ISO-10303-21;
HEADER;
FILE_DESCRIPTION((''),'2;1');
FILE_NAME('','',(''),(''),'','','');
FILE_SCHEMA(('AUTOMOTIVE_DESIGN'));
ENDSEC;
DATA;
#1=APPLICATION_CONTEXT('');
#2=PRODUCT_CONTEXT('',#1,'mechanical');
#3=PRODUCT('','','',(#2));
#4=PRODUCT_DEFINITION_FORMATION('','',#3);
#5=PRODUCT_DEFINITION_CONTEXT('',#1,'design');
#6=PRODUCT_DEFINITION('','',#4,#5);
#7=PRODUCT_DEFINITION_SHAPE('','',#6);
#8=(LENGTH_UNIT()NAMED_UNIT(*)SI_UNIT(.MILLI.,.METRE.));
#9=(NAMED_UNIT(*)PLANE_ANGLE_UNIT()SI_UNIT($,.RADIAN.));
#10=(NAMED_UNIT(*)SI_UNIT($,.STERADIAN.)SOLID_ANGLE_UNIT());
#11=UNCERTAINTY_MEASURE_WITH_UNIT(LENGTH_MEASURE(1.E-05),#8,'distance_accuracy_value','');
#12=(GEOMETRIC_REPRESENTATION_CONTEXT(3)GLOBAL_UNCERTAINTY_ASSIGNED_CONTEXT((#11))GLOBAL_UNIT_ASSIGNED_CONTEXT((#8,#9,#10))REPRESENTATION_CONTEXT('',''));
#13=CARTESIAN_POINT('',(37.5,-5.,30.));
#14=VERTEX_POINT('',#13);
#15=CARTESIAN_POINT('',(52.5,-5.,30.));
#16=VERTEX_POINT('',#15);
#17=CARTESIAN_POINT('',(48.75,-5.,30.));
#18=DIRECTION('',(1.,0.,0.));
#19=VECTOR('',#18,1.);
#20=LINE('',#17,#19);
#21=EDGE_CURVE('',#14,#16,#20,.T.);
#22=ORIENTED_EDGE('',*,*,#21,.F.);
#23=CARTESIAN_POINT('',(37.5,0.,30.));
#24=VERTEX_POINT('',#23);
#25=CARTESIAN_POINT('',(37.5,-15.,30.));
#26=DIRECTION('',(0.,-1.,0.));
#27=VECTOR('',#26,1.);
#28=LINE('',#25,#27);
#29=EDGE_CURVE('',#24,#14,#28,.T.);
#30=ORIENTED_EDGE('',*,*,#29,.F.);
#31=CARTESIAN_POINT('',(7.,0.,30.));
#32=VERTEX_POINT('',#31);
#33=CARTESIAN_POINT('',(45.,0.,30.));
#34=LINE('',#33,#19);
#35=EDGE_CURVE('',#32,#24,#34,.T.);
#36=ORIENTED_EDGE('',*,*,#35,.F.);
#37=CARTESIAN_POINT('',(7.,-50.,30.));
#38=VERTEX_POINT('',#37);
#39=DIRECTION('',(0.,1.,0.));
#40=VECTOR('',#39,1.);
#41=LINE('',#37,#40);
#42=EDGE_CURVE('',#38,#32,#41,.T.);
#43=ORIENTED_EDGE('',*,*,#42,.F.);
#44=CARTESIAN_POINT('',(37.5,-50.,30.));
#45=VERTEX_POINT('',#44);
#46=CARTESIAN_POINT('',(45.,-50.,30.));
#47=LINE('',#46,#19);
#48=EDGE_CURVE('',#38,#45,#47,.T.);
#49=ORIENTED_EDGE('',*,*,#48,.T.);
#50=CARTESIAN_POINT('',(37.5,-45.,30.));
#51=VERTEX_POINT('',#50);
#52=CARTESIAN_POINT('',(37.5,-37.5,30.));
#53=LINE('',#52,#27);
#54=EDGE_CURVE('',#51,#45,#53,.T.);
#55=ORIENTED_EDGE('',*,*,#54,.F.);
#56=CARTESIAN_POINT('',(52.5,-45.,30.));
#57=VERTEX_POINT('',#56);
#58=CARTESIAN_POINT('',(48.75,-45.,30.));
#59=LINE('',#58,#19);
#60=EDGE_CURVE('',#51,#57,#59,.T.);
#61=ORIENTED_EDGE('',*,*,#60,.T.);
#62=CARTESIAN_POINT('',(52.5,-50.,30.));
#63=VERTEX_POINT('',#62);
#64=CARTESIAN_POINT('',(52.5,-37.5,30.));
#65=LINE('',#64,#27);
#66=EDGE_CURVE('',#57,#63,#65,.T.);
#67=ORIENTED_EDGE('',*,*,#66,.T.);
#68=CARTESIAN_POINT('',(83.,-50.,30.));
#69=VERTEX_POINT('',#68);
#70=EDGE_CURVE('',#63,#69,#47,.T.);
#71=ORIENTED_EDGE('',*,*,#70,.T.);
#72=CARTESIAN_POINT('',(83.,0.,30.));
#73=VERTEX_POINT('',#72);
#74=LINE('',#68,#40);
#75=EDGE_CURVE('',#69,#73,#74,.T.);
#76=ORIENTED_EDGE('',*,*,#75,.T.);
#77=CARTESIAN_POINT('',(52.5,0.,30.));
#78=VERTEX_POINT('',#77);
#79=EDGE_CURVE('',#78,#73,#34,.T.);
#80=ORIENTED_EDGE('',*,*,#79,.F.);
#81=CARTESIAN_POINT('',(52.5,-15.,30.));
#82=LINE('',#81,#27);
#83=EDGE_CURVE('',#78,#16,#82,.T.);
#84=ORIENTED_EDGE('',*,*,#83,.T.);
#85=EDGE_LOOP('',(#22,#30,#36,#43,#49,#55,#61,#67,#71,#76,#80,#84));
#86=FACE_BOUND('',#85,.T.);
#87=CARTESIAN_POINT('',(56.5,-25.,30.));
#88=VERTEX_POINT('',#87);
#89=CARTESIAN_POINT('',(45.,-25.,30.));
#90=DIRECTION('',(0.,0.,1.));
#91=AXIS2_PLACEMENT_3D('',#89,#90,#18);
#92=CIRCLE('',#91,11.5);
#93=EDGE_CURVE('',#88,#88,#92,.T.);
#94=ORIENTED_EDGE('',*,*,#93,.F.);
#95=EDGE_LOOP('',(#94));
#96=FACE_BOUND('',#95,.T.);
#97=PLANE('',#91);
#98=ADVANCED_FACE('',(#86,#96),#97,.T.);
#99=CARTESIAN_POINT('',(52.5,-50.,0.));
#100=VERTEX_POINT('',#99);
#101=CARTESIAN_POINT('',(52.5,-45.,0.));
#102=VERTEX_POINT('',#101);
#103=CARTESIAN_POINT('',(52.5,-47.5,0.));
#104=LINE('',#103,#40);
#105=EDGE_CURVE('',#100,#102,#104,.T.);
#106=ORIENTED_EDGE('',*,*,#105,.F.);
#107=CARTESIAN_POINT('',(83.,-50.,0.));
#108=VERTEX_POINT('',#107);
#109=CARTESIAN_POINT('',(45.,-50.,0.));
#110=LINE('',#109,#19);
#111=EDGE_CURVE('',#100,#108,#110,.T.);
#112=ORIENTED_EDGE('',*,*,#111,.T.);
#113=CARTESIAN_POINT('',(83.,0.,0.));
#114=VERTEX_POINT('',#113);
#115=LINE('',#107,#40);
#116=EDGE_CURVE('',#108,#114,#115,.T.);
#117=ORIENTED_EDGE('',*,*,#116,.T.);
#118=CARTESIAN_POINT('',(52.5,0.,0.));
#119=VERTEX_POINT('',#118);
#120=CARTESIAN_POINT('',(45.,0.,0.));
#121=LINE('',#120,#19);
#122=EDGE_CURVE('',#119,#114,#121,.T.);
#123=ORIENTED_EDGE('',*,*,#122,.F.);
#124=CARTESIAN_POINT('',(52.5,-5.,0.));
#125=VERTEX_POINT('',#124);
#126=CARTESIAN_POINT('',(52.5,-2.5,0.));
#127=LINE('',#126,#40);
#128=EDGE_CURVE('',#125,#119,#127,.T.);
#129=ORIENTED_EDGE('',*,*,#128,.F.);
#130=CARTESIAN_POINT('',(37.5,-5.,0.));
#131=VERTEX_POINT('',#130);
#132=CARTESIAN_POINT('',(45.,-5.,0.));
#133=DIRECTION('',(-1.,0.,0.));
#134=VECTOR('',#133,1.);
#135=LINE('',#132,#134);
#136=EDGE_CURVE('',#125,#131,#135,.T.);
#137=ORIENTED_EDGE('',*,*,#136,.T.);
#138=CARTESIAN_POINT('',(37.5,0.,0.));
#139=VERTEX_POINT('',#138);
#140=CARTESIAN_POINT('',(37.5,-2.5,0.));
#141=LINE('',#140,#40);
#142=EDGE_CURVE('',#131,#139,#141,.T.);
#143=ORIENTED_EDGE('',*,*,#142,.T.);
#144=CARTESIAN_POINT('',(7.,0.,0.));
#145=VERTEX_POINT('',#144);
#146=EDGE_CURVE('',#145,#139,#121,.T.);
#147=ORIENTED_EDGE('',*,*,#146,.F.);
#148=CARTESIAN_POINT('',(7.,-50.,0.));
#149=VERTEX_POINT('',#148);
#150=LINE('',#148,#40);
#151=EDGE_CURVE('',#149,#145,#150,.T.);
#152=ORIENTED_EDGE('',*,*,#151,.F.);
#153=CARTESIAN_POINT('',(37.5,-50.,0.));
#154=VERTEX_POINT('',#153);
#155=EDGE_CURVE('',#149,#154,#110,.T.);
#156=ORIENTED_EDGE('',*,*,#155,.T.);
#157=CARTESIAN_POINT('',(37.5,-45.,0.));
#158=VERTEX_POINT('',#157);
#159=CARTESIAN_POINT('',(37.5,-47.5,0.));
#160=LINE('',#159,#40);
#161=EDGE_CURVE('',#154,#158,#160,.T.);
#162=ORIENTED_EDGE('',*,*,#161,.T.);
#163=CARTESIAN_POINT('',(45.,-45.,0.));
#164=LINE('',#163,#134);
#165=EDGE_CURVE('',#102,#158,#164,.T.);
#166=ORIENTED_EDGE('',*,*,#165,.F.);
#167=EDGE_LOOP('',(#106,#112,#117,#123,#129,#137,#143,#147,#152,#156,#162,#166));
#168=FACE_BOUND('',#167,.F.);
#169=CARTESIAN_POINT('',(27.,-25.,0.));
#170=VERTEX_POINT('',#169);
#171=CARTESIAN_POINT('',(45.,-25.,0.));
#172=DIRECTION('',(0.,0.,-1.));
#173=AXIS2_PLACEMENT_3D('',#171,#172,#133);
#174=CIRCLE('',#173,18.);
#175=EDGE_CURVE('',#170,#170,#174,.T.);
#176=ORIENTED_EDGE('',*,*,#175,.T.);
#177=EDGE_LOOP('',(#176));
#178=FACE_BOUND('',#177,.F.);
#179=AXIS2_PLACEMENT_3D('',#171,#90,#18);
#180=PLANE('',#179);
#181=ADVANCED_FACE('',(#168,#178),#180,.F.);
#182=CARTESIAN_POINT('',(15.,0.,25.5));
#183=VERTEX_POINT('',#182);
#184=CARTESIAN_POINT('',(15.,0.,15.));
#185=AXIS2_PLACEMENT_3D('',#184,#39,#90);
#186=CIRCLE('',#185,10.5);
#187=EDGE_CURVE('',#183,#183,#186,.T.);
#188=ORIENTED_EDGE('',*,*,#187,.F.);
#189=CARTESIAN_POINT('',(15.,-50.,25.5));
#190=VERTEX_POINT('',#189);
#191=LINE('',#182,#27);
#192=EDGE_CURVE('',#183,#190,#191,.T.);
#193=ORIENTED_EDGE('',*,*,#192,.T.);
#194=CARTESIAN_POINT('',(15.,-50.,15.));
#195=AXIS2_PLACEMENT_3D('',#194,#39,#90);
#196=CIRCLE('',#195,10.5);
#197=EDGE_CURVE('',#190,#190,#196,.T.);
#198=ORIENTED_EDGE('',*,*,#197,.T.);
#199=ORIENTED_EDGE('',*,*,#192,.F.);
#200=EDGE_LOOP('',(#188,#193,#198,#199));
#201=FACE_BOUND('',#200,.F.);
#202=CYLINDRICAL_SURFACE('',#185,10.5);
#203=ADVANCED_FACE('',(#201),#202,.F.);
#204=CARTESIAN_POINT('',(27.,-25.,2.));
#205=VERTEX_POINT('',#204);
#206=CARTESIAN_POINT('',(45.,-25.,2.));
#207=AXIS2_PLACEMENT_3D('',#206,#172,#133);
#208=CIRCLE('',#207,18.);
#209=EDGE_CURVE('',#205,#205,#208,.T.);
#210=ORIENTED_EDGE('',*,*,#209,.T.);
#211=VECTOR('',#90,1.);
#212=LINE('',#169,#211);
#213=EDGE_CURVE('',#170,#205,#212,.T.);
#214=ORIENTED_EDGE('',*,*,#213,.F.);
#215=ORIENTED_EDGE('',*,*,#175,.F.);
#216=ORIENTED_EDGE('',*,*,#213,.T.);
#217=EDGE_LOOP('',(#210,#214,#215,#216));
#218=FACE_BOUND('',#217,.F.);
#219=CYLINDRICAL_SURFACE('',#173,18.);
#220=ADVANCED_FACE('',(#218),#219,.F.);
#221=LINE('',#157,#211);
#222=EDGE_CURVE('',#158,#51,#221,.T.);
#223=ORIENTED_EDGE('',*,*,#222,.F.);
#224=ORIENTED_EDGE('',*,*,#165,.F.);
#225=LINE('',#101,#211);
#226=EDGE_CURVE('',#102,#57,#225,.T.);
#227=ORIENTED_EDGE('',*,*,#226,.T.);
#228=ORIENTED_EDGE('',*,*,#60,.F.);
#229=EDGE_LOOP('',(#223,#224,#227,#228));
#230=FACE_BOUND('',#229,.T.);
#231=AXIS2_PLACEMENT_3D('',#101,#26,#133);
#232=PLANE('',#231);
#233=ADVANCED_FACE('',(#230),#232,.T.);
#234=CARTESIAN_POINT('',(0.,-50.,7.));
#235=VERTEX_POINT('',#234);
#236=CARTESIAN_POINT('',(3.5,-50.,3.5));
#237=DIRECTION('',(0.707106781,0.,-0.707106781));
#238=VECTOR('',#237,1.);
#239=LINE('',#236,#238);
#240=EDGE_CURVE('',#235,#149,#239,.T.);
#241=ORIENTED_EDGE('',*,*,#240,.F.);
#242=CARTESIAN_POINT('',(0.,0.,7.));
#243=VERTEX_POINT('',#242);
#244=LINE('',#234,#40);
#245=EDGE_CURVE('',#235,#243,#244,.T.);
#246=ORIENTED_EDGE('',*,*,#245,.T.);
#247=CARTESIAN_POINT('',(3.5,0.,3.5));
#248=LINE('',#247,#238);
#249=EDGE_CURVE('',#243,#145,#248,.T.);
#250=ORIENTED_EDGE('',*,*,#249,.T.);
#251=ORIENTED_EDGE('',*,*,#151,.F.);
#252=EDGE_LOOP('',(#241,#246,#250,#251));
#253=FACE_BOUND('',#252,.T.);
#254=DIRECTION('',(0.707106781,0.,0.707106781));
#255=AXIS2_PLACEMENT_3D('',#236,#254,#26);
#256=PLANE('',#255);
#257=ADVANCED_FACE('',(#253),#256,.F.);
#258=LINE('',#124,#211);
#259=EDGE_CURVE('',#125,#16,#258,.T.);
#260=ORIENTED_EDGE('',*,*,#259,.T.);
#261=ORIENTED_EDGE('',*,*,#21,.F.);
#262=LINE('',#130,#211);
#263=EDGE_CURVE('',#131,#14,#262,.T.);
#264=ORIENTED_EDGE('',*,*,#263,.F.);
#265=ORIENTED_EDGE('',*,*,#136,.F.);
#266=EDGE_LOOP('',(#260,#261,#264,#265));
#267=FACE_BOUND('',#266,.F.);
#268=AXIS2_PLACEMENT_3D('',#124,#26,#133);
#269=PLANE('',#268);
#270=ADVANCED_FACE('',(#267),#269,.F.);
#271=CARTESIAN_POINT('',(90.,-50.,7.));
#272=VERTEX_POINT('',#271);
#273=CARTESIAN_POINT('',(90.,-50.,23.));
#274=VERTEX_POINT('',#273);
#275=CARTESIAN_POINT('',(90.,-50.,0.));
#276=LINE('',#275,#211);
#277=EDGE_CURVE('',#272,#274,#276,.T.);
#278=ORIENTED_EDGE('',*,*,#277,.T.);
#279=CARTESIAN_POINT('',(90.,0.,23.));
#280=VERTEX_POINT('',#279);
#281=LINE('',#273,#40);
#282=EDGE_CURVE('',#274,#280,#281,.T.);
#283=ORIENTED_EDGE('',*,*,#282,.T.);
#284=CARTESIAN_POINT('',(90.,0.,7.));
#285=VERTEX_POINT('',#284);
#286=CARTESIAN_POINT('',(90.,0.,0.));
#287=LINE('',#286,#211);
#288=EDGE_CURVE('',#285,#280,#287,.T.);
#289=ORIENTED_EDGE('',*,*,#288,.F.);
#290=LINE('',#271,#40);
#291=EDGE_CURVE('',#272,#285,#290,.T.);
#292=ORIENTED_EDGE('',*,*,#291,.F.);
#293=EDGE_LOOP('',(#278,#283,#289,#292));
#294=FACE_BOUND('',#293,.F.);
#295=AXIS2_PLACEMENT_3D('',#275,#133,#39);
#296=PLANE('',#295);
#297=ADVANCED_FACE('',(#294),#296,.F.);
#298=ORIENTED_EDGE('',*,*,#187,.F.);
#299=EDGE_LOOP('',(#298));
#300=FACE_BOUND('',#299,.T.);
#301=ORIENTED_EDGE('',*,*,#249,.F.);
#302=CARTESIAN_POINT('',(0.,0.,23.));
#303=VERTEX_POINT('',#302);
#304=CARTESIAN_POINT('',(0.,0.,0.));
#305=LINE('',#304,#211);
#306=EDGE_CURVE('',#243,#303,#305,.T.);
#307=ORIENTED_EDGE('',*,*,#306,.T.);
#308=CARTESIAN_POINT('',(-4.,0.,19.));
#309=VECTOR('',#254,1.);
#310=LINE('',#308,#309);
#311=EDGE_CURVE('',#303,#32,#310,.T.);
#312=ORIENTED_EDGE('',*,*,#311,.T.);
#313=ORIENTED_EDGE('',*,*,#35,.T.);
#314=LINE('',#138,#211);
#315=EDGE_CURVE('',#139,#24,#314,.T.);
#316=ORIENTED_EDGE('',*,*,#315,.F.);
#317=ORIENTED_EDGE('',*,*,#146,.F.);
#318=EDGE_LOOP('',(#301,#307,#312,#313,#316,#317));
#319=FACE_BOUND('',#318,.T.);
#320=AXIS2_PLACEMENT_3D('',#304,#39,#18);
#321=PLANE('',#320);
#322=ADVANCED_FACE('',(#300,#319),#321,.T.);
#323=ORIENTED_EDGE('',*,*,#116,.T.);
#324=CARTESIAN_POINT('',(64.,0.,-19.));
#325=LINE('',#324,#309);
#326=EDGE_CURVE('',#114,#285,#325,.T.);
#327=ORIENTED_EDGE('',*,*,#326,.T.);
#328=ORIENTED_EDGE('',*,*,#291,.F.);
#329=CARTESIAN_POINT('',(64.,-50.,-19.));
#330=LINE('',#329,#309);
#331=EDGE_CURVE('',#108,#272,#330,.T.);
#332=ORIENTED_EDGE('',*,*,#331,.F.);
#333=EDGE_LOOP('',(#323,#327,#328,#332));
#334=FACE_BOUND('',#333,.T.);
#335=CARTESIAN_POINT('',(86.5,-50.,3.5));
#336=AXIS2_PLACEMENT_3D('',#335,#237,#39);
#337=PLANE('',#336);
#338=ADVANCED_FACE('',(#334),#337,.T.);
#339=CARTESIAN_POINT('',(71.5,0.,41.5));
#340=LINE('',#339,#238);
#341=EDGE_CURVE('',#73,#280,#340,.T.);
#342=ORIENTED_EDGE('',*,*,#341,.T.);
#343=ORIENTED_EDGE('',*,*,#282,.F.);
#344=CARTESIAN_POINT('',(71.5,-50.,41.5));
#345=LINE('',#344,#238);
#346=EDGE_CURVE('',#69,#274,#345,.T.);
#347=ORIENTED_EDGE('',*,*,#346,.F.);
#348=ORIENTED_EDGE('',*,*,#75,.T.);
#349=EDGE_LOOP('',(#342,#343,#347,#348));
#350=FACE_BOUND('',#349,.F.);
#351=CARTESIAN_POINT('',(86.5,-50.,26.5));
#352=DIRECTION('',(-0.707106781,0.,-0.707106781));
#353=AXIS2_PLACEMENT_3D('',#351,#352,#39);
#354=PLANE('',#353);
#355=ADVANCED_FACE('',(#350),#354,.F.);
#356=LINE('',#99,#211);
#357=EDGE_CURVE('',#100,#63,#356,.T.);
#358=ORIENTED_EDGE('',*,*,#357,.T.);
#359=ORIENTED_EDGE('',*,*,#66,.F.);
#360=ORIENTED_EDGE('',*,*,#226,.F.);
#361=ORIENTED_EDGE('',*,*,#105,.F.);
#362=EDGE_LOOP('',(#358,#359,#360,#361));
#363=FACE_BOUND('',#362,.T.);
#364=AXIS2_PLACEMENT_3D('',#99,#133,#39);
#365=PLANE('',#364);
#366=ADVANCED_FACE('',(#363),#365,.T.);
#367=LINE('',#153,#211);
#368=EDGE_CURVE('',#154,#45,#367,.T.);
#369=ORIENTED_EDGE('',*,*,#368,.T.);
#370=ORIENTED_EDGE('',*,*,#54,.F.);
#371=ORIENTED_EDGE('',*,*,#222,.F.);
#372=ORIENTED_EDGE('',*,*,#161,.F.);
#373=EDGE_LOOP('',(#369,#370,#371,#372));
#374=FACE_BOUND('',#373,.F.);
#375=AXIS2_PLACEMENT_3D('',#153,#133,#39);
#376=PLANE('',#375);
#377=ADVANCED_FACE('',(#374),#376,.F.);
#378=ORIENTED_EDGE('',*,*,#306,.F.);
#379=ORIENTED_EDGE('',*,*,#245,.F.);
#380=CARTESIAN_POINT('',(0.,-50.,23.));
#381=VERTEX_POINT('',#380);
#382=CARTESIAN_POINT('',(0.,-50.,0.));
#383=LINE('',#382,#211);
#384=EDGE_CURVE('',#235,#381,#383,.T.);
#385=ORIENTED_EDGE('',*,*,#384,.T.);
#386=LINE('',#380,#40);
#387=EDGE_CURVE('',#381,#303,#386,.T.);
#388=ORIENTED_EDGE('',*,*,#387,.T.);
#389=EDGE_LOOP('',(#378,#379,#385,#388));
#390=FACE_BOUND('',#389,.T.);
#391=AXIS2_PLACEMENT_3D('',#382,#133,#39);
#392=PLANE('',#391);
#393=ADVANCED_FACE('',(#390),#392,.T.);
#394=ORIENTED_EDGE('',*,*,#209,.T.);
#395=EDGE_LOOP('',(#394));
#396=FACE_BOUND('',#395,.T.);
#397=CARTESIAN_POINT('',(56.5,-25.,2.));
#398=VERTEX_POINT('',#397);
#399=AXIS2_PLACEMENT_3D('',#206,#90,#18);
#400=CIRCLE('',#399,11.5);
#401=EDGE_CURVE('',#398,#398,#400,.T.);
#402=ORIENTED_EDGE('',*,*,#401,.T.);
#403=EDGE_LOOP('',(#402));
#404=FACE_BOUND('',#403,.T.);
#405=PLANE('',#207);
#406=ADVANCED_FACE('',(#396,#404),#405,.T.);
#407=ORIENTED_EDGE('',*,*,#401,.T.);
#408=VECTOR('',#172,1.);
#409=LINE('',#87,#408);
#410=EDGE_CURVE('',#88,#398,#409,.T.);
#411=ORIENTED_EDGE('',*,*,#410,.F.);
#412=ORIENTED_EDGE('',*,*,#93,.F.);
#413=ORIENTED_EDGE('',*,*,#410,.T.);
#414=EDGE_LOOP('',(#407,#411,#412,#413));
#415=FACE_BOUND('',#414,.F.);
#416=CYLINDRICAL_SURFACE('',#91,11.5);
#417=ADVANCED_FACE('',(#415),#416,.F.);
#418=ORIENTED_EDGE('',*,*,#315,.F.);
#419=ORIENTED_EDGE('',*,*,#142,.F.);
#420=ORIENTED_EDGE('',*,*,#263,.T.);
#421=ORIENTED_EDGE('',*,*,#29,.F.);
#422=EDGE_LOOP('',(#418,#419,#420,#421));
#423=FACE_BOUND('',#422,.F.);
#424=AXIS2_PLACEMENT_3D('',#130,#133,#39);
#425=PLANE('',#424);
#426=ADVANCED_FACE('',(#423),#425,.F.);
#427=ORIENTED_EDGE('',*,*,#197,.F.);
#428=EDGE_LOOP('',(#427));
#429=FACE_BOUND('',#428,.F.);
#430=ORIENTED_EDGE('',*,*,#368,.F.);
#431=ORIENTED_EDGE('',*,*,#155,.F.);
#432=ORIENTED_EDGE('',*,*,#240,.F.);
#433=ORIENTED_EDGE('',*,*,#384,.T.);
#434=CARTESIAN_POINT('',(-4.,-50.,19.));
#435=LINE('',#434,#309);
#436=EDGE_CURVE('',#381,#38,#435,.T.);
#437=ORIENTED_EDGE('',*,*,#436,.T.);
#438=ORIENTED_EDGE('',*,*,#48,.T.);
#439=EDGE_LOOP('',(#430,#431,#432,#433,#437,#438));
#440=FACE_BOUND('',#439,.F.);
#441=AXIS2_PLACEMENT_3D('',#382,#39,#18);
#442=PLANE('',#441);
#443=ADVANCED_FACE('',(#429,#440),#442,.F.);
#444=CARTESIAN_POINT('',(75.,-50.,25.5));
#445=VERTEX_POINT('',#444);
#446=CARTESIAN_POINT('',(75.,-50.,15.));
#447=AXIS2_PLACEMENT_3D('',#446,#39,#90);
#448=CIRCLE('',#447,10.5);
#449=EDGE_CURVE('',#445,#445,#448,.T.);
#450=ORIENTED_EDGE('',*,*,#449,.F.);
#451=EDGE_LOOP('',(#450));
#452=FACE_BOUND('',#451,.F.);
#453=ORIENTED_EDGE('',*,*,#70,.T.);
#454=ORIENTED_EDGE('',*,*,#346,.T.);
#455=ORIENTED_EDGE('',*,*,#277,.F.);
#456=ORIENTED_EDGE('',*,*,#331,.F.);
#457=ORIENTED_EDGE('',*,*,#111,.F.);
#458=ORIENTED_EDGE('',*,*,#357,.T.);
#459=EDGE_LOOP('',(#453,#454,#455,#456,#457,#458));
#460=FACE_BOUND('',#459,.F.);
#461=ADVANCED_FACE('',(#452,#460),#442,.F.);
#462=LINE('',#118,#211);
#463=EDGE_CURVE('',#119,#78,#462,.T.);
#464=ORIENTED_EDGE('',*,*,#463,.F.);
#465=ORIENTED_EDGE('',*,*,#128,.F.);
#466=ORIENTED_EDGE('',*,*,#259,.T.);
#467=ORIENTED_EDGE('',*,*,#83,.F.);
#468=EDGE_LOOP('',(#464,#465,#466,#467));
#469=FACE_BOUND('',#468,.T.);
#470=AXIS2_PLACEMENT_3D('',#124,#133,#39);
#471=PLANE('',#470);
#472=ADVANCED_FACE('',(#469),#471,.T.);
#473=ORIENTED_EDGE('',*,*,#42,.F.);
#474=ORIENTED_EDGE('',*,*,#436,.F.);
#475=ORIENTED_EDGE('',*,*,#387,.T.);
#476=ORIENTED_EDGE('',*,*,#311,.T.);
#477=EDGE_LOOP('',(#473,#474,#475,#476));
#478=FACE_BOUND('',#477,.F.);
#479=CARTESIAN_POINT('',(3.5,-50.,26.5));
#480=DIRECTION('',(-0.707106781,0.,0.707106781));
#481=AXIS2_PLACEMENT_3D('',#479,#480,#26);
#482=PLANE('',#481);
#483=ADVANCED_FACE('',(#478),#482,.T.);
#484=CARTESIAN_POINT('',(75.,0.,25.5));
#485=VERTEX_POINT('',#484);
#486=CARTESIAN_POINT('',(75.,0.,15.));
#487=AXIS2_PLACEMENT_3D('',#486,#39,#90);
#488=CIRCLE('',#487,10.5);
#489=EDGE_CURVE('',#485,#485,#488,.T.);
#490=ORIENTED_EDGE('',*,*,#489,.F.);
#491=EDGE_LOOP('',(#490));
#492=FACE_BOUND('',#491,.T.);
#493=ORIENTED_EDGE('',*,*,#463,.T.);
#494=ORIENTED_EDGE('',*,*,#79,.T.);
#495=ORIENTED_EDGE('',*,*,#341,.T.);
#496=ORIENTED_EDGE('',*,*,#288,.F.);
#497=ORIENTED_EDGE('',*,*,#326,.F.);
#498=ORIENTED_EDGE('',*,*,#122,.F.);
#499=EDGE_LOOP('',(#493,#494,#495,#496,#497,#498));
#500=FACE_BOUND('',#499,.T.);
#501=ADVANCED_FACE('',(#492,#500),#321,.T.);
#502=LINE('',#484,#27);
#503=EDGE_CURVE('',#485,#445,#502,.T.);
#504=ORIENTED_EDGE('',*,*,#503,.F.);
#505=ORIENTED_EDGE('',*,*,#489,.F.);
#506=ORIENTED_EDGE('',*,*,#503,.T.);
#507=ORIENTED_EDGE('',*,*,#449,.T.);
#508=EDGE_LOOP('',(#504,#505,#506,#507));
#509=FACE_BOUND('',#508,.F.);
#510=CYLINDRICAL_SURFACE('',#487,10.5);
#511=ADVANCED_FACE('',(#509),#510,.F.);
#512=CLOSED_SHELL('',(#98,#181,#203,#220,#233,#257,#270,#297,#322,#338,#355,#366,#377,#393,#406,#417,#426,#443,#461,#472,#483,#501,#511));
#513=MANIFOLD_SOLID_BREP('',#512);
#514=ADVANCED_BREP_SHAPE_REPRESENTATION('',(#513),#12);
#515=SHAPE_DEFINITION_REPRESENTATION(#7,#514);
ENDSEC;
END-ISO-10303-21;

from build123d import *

# Parameters (mm, degrees)
SKETCH_1_W          = 90
SKETCH_1_H          = 50
EXTRUDE_1_DEPTH     = 30
SKETCH_3_R          = 10.5
CUT_EXTRUDE_2_DEPTH = 108.238052948
CHAMFER_1_SIZE      = 7
SKETCH_8_R          = 18
CUT_EXTRUDE_5_DEPTH = 2
SKETCH_7_R          = 11.5
CUT_EXTRUDE_6_DEPTH = 120
SKETCH_12_W         = 15
SKETCH_12_H         = 5
CUT_EXTRUDE_8_DEPTH = 70


with BuildPart() as part:
    # 草图1 → 拉伸1 (new body)
    with BuildSketch(Plane.XY):
        with Locations((45, -25)):
            Rectangle(SKETCH_1_W, SKETCH_1_H)
    extrude(amount=EXTRUDE_1_DEPTH)

    # 草图3 → 切除-拉伸2 (cut, through all)
    with BuildSketch(Plane(origin=(0, 0, 0), x_dir=(1, 0, 0), z_dir=(0, 1, 0))):
        with Locations(Location((15, -15, 0), (0, 0, 270))):
            Circle(SKETCH_3_R)
        with Locations(Location((75, -15, 0), (0, 0, 270))):
            Circle(SKETCH_3_R)
    extrude(amount=-CUT_EXTRUDE_2_DEPTH, mode=Mode.SUBTRACT)

    # 倒角1
    chamfer_1_edges = [part.edges().sort_by_distance(p)[0] for p in [
        (90, -25, 30),
        (0, -25, 30),
        (90, -25, 0),
        (0, -25, 0),
    ]]
    chamfer(chamfer_1_edges, length=CHAMFER_1_SIZE)

    # 草图8 → 切除-拉伸5 (cut)
    with BuildSketch(Plane(origin=(0, 0, 0), x_dir=(-1, 0, 0), z_dir=(0, 0, -1))):
        with Locations((-45, -25)):
            Circle(SKETCH_8_R)
    extrude(amount=-CUT_EXTRUDE_5_DEPTH, mode=Mode.SUBTRACT)

    # 草图7 → 切除-拉伸6 (cut)
    with BuildSketch(Plane.XY.offset(30)):
        with Locations((45, -25)):
            Circle(SKETCH_7_R)
    extrude(amount=-CUT_EXTRUDE_6_DEPTH, mode=Mode.SUBTRACT)

    # 草图12 → 切除-拉伸8 (cut)
    with BuildSketch(Plane(origin=(0, 0, 0), x_dir=(-1, 0, 0), z_dir=(0, 0, -1))):
        with Locations((-45, -2.5)):
            Rectangle(SKETCH_12_W, SKETCH_12_H)
        with Locations((-45, -47.5)):
            Rectangle(SKETCH_12_W, SKETCH_12_H)
    extrude(amount=-CUT_EXTRUDE_8_DEPTH, mode=Mode.SUBTRACT)


solid = part.part
